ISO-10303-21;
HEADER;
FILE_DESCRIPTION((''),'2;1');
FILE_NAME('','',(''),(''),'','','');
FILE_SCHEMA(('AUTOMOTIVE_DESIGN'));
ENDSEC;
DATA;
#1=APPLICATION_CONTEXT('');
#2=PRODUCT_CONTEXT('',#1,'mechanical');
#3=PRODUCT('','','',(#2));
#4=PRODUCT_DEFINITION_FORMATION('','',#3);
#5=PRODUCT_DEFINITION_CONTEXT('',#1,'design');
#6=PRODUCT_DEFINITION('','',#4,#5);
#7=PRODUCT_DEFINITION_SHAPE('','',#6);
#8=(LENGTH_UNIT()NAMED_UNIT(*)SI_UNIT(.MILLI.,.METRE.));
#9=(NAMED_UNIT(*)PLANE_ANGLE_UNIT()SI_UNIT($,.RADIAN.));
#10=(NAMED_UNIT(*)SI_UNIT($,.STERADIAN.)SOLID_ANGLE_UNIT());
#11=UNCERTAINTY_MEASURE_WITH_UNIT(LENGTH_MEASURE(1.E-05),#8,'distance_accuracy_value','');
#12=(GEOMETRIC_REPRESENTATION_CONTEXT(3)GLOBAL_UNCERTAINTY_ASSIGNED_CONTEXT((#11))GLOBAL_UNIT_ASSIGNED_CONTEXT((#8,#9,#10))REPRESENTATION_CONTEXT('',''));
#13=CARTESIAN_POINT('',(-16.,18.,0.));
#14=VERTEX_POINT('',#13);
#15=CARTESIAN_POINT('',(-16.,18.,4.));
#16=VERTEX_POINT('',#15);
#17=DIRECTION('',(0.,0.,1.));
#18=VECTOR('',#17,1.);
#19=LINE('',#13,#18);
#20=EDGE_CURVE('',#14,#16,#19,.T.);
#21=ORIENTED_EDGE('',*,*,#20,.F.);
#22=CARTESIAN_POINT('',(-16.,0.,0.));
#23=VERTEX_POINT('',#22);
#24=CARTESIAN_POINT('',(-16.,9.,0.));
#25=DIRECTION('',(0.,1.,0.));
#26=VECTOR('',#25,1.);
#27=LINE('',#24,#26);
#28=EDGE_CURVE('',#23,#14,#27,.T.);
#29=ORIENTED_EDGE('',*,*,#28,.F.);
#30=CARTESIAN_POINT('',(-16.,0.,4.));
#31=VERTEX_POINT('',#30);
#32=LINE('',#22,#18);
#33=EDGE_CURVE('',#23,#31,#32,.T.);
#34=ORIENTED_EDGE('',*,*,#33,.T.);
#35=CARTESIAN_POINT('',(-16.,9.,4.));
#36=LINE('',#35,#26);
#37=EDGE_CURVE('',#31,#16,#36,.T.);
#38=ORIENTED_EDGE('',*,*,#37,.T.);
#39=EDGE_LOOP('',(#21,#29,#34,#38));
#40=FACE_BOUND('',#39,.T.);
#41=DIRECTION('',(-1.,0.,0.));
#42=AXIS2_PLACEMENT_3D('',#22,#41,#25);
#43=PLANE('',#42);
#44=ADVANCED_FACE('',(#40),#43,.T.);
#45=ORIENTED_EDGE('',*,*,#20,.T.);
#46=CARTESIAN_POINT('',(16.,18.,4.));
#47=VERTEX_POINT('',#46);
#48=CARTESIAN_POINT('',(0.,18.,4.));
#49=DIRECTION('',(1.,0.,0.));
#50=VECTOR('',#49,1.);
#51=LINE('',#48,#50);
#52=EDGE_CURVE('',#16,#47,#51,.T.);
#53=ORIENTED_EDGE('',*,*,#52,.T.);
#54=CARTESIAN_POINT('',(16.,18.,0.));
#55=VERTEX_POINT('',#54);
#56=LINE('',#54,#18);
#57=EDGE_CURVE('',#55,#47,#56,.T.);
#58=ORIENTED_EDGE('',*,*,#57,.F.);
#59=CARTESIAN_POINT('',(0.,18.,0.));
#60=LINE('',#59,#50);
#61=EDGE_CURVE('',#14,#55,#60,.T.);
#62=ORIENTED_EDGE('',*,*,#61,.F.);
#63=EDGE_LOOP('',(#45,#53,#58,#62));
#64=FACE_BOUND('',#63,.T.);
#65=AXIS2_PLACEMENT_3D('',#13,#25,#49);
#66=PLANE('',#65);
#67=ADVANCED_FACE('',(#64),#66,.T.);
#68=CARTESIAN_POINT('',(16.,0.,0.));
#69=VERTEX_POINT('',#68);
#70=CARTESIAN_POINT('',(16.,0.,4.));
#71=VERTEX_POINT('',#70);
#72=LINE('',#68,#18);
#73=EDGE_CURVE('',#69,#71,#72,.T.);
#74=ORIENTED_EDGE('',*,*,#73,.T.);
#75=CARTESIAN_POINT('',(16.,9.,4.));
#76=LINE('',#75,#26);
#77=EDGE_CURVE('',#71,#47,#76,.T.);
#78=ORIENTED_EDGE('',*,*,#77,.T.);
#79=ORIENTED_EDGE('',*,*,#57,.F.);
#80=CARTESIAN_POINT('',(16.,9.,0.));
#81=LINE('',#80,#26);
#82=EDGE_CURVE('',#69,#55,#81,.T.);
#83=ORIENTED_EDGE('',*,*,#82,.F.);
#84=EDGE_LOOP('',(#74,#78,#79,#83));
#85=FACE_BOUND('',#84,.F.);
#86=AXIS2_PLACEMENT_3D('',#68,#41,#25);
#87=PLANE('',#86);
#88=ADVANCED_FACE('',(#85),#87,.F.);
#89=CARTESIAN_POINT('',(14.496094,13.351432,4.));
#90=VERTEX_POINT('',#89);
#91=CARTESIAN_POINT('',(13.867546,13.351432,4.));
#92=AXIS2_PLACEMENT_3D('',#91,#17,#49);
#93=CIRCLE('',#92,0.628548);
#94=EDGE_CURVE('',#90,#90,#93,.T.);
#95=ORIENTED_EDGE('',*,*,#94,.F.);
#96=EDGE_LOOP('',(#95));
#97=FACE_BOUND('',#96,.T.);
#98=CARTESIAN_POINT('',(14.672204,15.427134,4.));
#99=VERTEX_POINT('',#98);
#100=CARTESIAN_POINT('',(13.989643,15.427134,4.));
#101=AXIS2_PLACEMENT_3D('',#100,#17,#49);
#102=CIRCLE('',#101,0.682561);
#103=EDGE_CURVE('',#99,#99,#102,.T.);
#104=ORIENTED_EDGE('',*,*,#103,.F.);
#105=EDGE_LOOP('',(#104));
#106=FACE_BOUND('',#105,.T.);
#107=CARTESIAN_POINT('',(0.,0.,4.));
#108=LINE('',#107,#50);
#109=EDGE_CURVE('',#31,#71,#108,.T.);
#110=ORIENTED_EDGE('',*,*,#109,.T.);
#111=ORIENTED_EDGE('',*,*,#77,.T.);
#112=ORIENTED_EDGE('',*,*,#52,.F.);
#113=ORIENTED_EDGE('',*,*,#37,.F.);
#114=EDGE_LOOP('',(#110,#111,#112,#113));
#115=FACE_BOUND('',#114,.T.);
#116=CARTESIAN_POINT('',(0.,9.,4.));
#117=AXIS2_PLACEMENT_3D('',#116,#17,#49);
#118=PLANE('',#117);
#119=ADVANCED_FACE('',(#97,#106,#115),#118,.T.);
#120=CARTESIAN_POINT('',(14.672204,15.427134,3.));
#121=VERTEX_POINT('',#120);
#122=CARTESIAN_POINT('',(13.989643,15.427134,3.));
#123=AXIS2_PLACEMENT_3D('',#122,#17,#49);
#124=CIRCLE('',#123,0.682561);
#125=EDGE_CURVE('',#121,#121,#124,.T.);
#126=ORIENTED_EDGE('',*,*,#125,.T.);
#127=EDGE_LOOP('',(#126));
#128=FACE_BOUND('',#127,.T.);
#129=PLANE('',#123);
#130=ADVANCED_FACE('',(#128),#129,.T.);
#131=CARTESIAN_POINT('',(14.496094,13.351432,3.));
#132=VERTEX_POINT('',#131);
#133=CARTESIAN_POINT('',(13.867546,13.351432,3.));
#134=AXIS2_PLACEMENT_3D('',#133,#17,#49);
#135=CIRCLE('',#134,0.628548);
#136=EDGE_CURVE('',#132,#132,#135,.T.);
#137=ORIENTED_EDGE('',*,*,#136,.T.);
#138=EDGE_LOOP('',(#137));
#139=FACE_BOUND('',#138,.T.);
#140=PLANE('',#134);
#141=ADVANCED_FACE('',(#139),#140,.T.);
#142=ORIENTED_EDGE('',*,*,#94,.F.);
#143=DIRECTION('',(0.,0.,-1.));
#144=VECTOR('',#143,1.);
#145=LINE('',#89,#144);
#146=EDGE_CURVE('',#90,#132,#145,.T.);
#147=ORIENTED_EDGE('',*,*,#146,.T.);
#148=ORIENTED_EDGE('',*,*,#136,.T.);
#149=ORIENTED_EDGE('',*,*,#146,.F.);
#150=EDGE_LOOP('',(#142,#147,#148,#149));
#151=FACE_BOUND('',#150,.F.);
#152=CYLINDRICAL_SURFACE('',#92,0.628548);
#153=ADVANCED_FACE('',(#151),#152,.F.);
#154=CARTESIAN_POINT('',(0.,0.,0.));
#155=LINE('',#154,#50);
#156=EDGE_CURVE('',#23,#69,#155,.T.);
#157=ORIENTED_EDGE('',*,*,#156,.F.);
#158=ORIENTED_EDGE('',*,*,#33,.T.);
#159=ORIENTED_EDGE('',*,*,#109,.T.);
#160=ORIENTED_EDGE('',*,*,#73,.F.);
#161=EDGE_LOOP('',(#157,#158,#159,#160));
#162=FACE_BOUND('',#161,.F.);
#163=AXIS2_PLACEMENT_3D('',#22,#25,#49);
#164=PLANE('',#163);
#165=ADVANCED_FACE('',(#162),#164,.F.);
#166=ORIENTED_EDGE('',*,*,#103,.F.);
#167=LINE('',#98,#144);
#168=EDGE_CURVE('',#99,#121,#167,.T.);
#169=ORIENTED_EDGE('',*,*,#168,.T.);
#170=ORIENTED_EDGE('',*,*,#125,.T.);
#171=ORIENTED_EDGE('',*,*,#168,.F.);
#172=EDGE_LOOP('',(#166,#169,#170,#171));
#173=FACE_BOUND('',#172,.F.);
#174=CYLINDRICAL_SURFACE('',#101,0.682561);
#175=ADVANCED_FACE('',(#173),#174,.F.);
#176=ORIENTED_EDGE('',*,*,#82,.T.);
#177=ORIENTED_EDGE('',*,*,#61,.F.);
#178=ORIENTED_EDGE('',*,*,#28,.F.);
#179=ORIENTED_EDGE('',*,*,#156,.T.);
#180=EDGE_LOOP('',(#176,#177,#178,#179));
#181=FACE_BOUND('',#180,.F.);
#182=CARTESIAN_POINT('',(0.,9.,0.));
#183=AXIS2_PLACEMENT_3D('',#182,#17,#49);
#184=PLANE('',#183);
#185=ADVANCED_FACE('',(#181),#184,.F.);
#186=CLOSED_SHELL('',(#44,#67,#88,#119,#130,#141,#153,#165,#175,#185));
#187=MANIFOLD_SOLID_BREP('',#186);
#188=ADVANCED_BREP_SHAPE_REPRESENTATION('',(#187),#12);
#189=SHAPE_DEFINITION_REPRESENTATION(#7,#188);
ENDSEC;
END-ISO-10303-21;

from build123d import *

# Parameters (mm, degrees)
SKETCH_W      = 32
SKETCH_H      = 18
PAD_DEPTH     = 4
SKETCH001_R   = 0.682561
SKETCH001_R_2 = 0.628548
POCKET_DEPTH  = 1


with BuildPart() as part:
    # Sketch → Pad (new body)
    with BuildSketch(Plane.XY):
        with Locations((0, 9)):
            Rectangle(SKETCH_W, SKETCH_H)
    extrude(amount=PAD_DEPTH)

    # Sketch001 (on Face6 of Pad) → Pocket (cut)
    with BuildSketch(Plane.XY.offset(4)):
        with Locations((13.989643, 15.427134)):
            Circle(SKETCH001_R)
        with Locations((13.867546, 13.351432)):
            Circle(SKETCH001_R_2)
    extrude(amount=-POCKET_DEPTH, mode=Mode.SUBTRACT)


solid = part.part
